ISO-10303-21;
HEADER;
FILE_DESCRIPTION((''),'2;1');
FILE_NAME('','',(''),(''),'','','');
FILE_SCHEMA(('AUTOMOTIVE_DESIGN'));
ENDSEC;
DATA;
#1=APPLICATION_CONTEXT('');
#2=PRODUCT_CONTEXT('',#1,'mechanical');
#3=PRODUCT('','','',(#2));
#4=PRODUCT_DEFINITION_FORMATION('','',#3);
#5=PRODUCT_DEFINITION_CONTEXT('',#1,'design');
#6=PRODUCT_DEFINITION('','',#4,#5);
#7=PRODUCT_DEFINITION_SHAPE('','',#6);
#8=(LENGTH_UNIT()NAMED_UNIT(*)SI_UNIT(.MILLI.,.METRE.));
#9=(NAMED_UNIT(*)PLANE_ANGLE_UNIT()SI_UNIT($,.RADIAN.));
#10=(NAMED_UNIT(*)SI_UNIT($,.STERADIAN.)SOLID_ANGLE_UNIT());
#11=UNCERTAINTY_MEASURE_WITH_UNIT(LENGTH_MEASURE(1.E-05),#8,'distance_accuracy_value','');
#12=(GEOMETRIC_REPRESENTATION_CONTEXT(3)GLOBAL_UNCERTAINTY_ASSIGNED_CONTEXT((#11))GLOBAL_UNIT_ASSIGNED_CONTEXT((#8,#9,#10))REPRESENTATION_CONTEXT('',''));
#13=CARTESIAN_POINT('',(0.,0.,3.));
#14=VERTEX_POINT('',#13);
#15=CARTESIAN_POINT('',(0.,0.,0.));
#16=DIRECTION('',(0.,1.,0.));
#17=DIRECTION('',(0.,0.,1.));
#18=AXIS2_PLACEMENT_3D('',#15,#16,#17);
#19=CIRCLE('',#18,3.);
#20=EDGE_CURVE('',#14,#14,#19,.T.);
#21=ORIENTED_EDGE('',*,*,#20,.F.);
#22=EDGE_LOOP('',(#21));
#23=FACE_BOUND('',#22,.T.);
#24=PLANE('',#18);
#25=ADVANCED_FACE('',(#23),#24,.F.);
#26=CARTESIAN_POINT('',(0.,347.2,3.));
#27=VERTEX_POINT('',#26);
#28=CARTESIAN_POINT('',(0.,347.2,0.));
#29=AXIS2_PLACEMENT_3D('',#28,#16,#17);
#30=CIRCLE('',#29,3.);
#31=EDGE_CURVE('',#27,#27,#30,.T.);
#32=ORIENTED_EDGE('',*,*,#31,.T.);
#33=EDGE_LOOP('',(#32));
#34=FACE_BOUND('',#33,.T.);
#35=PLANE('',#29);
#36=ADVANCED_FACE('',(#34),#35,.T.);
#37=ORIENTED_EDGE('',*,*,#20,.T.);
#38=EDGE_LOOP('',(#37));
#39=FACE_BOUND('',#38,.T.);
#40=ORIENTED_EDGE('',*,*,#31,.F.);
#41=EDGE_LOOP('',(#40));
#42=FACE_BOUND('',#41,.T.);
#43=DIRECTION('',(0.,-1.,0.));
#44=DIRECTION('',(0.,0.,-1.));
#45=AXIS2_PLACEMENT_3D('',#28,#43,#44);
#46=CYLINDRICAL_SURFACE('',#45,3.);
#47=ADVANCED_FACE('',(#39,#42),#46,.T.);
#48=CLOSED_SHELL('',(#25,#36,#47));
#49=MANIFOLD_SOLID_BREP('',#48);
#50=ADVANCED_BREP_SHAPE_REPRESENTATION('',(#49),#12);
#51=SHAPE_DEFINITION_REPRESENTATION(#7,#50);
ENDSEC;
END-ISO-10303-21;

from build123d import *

# Parameters (mm, degrees)
SKETCH1_R           = 3
BOSS_EXTRUDE1_DEPTH = 347.2


with BuildPart() as part:
    # Sketch1 → Boss-Extrude1 (new body)
    with BuildSketch(Plane(origin=(0, 0, 0), x_dir=(1, 0, 0), z_dir=(0, 1, 0))):
        Circle(SKETCH1_R)
    extrude(amount=BOSS_EXTRUDE1_DEPTH)


solid = part.part
